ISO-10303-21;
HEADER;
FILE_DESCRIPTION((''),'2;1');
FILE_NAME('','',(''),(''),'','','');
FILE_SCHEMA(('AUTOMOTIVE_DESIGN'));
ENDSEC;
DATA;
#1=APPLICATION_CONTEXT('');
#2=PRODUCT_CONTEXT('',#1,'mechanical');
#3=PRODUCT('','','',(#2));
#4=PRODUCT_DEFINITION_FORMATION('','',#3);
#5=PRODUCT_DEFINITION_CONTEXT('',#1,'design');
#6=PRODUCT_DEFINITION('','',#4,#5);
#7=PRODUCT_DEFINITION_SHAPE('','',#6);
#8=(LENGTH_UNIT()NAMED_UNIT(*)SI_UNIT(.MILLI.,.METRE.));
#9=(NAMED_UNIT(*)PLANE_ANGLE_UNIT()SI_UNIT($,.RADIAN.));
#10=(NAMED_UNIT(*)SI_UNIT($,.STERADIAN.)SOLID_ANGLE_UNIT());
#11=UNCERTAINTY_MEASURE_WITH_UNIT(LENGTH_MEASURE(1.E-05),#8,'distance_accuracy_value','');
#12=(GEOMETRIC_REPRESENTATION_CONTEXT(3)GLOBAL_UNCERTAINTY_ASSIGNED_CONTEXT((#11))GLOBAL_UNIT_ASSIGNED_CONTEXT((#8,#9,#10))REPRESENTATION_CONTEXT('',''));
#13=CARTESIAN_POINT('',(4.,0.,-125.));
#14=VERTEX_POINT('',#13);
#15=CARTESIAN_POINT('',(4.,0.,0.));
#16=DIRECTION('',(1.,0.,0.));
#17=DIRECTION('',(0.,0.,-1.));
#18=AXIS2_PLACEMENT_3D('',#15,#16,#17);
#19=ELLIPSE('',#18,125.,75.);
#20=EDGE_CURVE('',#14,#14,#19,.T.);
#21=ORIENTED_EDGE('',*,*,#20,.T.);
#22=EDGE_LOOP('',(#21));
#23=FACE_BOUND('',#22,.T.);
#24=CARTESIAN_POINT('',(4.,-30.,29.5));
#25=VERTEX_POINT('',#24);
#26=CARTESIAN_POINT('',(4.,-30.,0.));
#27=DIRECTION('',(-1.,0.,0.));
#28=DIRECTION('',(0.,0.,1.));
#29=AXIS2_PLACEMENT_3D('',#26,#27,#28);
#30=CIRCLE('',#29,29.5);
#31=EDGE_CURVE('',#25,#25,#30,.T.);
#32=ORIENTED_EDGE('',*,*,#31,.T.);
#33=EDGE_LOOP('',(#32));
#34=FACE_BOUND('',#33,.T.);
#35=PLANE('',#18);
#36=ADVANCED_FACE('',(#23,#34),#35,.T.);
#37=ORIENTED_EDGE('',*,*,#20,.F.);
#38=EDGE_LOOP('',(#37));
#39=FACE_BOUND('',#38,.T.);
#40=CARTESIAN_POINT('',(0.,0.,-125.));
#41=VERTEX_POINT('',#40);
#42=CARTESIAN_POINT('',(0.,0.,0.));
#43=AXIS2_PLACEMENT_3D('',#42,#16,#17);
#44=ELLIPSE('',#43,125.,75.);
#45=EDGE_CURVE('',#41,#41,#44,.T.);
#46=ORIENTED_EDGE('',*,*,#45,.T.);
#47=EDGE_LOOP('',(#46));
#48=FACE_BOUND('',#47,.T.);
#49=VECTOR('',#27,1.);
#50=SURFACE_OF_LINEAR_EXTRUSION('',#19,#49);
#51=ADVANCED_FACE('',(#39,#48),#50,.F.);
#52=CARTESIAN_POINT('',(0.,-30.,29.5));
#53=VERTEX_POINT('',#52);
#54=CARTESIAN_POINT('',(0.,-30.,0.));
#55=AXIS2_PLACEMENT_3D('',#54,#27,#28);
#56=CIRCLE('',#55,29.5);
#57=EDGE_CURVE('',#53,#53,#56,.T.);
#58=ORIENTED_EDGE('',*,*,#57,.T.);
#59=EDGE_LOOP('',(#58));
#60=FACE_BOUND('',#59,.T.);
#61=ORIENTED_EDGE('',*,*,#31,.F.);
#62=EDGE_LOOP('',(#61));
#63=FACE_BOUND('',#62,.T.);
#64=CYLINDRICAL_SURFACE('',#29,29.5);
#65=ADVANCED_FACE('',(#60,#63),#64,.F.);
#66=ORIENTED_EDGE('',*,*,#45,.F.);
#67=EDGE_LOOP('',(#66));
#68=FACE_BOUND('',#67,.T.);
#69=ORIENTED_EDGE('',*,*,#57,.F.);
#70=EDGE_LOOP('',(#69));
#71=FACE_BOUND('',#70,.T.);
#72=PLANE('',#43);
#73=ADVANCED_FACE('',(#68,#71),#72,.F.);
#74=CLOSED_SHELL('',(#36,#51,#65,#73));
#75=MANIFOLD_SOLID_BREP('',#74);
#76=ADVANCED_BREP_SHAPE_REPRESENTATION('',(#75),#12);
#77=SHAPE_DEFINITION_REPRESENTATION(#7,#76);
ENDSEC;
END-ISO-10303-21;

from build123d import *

# Parameters (mm, degrees)
SKETCH1_RX          = 125
SKETCH1_RY          = 75
BOSS_EXTRUDE1_DEPTH = 4
SKETCH2_R           = 29.5
CUT_EXTRUDE1_DEPTH  = 5


with BuildPart() as part:
    # Sketch1 → Boss-Extrude1 (new body)
    with BuildSketch(Plane(origin=(0, 0, 0), x_dir=(0, 0, -1), z_dir=(1, 0, 0))):
        with Locations((0, 0)):
            Ellipse(SKETCH1_RX, SKETCH1_RY)
    extrude(amount=BOSS_EXTRUDE1_DEPTH)

    # Sketch2 → Cut-Extrude1 (cut, through all)
    with BuildSketch(Plane.ZY):
        with Locations((0, -30)):
            Circle(SKETCH2_R)
    extrude(amount=-CUT_EXTRUDE1_DEPTH, mode=Mode.SUBTRACT)


solid = part.part
